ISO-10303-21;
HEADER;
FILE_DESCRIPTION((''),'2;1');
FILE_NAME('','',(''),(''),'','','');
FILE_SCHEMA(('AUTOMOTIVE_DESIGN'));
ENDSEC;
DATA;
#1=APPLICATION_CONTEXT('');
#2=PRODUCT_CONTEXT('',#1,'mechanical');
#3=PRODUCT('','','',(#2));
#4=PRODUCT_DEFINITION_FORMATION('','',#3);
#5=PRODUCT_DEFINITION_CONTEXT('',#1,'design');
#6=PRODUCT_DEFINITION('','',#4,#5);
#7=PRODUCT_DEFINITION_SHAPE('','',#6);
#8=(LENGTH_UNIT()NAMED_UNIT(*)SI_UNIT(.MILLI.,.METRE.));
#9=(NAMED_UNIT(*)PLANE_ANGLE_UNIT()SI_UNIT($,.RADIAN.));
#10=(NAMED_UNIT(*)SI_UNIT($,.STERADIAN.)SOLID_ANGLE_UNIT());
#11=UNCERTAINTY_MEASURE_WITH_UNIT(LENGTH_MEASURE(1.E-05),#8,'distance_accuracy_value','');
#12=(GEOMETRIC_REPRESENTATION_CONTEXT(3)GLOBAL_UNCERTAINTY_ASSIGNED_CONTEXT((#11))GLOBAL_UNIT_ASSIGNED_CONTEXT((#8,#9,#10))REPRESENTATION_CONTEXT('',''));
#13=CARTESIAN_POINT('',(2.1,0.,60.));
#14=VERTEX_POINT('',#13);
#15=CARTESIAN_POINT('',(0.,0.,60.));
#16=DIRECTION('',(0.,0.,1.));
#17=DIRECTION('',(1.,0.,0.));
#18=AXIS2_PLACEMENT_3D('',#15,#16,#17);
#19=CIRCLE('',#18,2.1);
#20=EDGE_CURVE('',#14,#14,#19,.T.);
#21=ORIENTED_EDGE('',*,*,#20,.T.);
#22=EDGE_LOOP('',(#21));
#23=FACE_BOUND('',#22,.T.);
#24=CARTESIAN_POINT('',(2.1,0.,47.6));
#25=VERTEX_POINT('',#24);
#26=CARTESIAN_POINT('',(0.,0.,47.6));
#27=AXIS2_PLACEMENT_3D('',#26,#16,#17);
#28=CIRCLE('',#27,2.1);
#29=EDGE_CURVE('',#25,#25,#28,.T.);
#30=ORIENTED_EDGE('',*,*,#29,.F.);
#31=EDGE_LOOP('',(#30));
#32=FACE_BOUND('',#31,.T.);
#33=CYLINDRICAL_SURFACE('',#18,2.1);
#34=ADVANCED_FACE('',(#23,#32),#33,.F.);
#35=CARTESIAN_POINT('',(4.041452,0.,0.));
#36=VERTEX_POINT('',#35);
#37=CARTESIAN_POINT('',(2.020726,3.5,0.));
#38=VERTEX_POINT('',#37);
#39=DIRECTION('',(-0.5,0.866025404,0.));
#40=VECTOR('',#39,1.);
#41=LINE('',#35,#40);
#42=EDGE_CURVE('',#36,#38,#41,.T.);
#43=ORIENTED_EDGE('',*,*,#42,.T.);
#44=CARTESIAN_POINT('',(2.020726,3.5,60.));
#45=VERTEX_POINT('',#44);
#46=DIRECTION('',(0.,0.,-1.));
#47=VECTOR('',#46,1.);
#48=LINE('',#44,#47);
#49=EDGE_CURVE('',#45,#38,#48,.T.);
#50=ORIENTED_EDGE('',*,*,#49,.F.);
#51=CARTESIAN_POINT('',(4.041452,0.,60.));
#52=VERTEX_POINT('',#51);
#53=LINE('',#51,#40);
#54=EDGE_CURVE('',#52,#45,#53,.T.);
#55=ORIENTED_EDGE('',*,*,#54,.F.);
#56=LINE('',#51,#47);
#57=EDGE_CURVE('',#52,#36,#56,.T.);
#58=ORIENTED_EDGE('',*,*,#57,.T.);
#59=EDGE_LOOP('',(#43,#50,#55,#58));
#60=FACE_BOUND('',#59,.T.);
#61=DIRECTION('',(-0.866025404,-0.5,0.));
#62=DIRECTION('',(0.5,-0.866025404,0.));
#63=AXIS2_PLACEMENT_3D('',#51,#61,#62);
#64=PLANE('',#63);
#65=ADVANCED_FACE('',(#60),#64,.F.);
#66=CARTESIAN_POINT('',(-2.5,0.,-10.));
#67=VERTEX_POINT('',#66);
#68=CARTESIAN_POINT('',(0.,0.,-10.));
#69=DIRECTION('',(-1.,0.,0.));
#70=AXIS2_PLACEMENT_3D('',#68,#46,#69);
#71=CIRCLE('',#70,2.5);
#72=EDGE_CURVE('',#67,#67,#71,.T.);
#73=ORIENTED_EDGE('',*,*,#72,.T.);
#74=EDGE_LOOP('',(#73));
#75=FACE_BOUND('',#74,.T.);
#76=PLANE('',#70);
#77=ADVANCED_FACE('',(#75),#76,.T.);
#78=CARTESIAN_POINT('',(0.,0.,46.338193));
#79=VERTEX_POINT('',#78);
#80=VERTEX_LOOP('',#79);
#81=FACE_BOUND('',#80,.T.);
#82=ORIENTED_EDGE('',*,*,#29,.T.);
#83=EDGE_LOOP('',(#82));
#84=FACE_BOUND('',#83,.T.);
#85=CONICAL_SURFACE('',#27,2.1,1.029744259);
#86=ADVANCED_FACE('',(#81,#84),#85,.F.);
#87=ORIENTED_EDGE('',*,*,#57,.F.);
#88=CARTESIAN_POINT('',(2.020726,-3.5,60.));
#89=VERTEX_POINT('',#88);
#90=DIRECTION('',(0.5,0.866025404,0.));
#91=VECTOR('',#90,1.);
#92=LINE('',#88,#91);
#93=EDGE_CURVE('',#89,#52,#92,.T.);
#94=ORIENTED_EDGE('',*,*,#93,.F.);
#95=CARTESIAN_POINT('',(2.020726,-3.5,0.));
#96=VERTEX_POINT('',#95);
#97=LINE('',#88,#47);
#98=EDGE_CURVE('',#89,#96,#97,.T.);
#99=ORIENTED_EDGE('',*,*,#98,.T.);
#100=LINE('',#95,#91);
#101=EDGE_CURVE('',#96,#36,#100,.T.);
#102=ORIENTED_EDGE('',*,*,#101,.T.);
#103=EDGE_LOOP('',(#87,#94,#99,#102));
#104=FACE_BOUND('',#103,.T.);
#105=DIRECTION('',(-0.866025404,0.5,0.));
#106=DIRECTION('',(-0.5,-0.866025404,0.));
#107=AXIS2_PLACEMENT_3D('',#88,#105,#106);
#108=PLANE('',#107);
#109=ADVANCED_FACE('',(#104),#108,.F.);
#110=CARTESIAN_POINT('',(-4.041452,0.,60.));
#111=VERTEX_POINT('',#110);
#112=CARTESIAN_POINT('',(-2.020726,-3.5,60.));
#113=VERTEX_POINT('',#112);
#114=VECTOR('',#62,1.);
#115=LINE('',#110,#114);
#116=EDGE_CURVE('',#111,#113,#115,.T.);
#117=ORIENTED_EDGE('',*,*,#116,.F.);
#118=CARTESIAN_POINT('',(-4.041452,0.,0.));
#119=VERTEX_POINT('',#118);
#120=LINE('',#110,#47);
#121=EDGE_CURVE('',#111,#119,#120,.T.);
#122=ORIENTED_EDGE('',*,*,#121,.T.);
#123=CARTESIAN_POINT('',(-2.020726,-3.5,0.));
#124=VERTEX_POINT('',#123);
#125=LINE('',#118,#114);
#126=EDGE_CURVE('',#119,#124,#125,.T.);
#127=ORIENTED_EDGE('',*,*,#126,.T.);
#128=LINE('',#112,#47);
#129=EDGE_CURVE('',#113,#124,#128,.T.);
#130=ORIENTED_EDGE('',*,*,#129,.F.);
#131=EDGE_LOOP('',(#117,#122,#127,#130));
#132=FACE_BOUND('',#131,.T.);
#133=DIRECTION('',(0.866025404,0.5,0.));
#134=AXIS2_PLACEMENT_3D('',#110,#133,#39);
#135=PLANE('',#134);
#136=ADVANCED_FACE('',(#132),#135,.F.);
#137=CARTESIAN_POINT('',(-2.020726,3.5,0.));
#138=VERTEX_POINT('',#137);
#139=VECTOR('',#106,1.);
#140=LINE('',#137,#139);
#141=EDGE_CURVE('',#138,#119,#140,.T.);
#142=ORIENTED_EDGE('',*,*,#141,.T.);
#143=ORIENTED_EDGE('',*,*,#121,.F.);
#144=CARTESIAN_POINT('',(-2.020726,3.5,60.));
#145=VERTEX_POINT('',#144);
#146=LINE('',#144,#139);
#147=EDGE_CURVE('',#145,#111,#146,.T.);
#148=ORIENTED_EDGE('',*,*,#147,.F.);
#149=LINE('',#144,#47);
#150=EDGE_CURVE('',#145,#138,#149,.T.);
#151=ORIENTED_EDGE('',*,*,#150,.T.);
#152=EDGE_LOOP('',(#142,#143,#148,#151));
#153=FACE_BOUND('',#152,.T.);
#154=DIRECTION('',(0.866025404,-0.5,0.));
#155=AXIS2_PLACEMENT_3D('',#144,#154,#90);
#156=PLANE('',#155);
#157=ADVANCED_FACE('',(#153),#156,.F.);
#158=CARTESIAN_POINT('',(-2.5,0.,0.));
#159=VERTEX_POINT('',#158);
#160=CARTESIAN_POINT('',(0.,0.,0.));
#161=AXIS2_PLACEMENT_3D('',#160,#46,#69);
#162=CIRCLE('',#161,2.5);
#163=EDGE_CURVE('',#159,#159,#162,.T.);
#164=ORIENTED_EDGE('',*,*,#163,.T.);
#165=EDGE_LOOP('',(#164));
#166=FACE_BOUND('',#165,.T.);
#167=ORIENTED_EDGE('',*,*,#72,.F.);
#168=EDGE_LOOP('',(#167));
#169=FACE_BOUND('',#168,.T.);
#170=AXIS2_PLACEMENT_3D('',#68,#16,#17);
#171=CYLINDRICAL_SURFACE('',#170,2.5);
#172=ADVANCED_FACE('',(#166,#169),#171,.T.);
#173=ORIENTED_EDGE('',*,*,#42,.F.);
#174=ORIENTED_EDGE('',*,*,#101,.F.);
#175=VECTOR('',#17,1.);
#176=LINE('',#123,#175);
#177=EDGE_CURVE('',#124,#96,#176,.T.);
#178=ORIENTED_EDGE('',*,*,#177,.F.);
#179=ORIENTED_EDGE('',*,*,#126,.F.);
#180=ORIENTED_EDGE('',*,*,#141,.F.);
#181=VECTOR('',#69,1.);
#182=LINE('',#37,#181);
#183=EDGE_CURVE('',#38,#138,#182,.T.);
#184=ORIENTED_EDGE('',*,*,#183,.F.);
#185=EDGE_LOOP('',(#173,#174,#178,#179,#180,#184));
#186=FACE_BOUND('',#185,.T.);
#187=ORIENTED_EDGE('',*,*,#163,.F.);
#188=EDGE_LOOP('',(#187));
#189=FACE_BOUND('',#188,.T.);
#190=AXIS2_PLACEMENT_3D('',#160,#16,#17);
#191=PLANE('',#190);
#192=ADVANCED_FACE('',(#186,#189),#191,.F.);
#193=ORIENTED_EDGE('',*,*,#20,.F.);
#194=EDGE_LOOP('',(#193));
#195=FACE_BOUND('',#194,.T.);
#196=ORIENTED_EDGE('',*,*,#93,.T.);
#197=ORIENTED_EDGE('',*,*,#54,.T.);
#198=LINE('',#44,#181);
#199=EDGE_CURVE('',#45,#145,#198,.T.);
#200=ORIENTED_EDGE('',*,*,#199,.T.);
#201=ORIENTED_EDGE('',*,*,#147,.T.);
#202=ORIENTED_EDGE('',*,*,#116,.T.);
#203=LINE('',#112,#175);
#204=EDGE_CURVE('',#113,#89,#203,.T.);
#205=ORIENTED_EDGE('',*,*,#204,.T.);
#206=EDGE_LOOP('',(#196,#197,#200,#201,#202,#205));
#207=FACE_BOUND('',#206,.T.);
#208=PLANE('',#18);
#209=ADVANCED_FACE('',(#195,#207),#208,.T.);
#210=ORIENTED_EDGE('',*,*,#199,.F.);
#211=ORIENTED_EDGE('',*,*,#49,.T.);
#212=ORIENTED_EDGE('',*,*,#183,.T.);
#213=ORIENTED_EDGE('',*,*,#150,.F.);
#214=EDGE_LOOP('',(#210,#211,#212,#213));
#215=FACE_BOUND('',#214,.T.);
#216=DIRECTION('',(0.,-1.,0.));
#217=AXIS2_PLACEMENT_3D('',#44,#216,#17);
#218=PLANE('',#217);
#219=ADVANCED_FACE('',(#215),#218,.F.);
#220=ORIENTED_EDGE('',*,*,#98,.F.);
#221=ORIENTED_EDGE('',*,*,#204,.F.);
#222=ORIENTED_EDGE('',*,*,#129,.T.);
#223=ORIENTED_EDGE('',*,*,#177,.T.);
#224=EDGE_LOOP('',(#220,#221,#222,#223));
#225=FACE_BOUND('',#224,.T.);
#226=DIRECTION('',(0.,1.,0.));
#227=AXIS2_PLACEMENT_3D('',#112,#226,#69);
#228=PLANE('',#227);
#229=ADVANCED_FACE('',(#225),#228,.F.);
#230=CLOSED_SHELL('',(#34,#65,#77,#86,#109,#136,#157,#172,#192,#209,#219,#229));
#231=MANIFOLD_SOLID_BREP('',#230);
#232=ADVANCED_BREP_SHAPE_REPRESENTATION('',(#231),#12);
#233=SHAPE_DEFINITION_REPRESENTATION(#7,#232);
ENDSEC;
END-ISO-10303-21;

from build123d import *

# Parameters (mm, degrees)
EXTRUDE_1_DEPTH           = 60
SKETCH_4_R                = 2.5
EXTRUDE_2_DEPTH           = 10
M5X0_8_TAPPED_HOLE1_D     = 4.2
M5X0_8_TAPPED_HOLE1_DEPTH = 12.4
M5X0_8_TAPPED_HOLE1_TIP   = 1.2618073


with BuildPart() as part:
    # 草圖1 → 填料-伸長1 (new body)
    with BuildSketch(Plane.XY):
        Polygon((-2.020725942, 3.5), (-4.041451884, 0), (-2.020725942, -3.5), (2.020725942, -3.5), (4.041451884, 0), (2.020725942, 3.5), align=None)
    extrude(amount=EXTRUDE_1_DEPTH)

    # 草圖4 → 填料-伸長2 (add)
    with BuildSketch(Plane(origin=(0, 0, 0), x_dir=(-1, 0, 0), z_dir=(0, 0, -1))):
        Circle(SKETCH_4_R)
    extrude(amount=EXTRUDE_2_DEPTH)

    # M5x0.8 Tapped Hole1
    with Locations(Plane.XY.offset(60)):
        with Locations((0, 0)):
            Hole(M5X0_8_TAPPED_HOLE1_D / 2, depth=M5X0_8_TAPPED_HOLE1_DEPTH)
            with Locations((0, 0, -(M5X0_8_TAPPED_HOLE1_DEPTH + M5X0_8_TAPPED_HOLE1_TIP / 2))):  # 118° drill point
                Cone(0, M5X0_8_TAPPED_HOLE1_D / 2, M5X0_8_TAPPED_HOLE1_TIP, mode=Mode.SUBTRACT)


solid = part.part
